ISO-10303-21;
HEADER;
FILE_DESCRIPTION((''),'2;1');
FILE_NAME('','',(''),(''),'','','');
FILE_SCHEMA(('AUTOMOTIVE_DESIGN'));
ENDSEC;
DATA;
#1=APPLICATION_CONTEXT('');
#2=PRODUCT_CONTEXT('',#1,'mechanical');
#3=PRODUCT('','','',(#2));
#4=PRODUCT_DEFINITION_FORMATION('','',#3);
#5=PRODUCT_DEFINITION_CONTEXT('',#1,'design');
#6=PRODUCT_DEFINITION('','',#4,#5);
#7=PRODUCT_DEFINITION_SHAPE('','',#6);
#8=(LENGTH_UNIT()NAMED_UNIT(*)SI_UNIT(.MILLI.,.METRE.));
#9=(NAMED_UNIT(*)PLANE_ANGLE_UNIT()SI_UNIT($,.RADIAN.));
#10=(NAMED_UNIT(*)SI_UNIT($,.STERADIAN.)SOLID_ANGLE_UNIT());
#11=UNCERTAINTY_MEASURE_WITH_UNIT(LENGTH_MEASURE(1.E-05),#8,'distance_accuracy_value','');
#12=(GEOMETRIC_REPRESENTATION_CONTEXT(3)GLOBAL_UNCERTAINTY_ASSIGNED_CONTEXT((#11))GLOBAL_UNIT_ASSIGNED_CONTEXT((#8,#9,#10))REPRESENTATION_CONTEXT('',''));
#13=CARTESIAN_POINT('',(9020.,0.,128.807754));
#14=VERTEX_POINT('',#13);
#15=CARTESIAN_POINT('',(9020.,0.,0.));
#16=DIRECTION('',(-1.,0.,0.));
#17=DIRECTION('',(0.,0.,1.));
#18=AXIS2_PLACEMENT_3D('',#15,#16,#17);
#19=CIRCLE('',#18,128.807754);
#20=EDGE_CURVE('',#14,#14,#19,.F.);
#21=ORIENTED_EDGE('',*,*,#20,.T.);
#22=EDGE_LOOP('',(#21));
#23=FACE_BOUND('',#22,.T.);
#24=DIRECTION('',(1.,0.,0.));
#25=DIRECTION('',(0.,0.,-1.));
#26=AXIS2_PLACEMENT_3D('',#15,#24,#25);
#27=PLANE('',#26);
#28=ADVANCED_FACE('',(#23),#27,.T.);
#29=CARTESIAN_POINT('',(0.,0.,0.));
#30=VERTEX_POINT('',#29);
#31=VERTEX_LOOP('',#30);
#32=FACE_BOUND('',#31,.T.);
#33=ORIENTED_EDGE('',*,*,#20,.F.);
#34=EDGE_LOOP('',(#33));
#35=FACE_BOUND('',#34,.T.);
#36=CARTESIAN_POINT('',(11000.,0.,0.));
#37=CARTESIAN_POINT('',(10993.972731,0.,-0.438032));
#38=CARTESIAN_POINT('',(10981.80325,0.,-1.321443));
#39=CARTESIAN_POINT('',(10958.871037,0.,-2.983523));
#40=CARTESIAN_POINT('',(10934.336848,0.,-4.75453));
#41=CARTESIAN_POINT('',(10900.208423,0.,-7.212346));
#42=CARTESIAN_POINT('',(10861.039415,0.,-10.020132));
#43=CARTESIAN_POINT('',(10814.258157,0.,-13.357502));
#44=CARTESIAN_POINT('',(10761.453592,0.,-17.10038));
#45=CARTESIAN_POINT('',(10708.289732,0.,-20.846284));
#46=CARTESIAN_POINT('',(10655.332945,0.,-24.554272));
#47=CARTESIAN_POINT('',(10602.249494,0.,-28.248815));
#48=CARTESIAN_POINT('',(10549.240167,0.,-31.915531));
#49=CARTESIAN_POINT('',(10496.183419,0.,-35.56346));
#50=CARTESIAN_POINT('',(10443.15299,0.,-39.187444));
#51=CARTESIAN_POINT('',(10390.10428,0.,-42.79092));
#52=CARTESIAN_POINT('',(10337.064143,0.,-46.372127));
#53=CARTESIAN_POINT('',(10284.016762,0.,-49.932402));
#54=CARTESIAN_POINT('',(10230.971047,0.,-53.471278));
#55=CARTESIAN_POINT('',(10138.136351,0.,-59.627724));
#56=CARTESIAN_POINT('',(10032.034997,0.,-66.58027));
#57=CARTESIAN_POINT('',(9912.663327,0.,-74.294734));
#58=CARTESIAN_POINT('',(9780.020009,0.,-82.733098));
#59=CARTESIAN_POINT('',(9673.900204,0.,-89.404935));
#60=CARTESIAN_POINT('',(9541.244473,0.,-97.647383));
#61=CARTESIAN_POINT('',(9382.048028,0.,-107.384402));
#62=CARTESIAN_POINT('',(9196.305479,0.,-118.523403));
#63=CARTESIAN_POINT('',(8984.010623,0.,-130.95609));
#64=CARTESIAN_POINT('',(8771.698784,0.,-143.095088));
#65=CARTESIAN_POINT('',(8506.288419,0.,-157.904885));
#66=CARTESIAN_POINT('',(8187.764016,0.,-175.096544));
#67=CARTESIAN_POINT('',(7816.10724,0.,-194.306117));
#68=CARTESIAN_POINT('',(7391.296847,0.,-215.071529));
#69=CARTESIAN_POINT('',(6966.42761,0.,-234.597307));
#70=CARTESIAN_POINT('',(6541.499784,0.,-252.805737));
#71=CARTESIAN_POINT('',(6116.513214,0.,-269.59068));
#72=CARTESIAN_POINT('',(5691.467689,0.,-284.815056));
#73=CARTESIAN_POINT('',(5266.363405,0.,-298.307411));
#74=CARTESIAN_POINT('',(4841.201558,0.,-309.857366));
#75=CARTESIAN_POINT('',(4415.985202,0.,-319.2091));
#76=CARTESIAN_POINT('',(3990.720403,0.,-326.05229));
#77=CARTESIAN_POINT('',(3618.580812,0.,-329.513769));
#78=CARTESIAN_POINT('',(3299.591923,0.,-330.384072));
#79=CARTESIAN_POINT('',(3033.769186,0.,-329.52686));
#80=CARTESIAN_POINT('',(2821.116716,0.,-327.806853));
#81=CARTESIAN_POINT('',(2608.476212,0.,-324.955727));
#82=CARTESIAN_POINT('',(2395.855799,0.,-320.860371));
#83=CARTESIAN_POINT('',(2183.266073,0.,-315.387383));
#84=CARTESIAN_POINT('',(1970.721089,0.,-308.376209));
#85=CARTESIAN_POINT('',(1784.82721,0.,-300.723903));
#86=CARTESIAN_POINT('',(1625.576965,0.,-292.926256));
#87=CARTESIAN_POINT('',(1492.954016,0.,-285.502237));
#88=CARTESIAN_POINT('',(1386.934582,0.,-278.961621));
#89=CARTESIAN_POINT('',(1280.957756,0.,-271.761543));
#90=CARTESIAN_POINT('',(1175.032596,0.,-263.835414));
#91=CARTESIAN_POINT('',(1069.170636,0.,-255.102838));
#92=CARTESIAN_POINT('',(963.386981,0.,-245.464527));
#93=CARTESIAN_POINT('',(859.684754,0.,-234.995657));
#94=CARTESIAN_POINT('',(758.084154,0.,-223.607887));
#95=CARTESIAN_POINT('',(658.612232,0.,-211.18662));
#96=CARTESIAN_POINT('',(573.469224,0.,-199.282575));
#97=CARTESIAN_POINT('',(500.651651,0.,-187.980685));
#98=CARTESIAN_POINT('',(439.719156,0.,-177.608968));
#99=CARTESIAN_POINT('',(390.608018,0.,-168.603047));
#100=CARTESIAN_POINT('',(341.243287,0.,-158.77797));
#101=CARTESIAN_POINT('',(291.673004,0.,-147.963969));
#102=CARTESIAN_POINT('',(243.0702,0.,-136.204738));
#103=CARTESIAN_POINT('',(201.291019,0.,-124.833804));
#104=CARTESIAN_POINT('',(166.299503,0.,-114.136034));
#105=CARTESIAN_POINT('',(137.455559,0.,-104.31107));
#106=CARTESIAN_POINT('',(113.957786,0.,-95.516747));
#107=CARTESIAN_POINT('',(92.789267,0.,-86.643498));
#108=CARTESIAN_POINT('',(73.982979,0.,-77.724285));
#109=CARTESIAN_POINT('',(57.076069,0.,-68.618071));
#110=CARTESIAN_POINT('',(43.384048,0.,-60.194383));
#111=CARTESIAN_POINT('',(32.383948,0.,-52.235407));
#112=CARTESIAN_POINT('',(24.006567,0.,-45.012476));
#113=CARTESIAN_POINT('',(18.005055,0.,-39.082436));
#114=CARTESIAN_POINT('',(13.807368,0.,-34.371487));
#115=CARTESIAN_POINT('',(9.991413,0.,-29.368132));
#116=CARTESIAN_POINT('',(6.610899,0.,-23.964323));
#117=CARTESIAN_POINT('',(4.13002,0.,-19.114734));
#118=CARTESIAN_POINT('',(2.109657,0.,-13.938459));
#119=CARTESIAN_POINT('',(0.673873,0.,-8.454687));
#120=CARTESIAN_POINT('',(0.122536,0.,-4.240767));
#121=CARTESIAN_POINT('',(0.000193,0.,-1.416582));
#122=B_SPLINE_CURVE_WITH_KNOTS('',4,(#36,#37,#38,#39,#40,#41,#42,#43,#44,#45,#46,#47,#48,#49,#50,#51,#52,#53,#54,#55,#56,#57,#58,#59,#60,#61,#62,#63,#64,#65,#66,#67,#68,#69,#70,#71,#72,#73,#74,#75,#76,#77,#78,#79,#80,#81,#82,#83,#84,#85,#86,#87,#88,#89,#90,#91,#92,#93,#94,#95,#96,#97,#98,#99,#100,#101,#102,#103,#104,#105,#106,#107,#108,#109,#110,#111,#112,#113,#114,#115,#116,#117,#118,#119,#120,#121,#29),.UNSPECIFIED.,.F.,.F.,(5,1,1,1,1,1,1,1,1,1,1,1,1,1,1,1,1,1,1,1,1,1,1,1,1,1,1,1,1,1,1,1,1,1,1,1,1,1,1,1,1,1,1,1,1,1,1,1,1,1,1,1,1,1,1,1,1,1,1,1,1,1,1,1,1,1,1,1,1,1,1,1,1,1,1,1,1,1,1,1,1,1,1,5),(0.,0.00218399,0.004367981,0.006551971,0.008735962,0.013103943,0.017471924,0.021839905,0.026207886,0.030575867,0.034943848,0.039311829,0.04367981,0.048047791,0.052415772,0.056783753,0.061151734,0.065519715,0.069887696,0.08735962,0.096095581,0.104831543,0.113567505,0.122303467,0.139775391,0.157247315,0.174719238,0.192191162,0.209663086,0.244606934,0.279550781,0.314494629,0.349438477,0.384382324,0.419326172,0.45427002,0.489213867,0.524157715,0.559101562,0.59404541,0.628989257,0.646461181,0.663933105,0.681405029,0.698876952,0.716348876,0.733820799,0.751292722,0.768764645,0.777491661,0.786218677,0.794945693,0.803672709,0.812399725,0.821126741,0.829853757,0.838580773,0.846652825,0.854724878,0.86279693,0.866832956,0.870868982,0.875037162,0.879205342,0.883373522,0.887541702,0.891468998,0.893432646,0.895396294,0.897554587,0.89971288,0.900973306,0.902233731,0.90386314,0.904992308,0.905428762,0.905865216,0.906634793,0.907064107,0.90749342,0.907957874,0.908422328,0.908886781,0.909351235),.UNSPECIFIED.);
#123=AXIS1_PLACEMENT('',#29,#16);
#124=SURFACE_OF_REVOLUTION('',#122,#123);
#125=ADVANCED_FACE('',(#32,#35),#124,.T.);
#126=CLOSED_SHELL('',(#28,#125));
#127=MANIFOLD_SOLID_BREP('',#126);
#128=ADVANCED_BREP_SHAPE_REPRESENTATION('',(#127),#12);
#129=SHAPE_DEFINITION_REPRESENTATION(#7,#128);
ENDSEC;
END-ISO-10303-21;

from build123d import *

# Parameters (mm, degrees)
CUTSKETCH_R        = 330
CUT_EXTRUDE1_DEPTH = 1981.000000056


with BuildPart() as part:
    # rootSketch → Revolve1 (revolve)
    with BuildSketch(Plane(origin=(0, 0, 0), x_dir=(1, 0, 0), z_dir=(0, 1, 0))):
        with BuildLine():
            Line((0, 0), (10999.999999956, 0))
            add(Edge.make_bspline(
                [(0, 0), (0.000193085, 1.416582005), (0.122535707, 4.240766735), (0.673873379, 8.454686711), (2.109656818, 13.93845879), (4.130019916, 19.114733958), (6.6108994, 23.964322659), (9.99141312, 29.368131534), (13.807367772, 34.371487293), (18.005055091, 39.082436475), (24.006567174, 45.012475537), (32.38394762, 52.235407337), (43.384048479, 60.194382801), (57.076069362, 68.618071155), (73.982979094, 77.724284629), (92.789267205, 86.643497962), (113.957785626, 95.516746756), (137.455558775, 104.311070441), (166.299503437, 114.136034239), (201.291019257, 124.83380424), (243.070199966, 136.204737597), (291.673004407, 147.963968929), (341.243287097, 158.777969553), (390.608018364, 168.603047356), (439.719156269, 177.608967602), (500.651651233, 187.980684512), (573.469223954, 199.282575084), (658.612232457, 211.186619601), (758.084154261, 223.607887379), (859.684753543, 234.995657417), (963.386980877, 245.464526813), (1069.170635517, 255.102838422), (1175.032596375, 263.835414151), (1280.957756037, 271.761542521), (1386.934581972, 278.961621427), (1492.954015963, 285.502236936), (1625.576964573, 292.926255548), (1784.827209806, 300.723903315), (1970.72108882, 308.376208714), (2183.266072594, 315.387382688), (2395.855799019, 320.860371187), (2608.476211675, 324.955727138), (2821.116716449, 327.806853247), (3033.769186051, 329.526860496), (3299.591922937, 330.384071895), (3618.580812409, 329.51376865), (3990.720403141, 326.052290468), (4415.985201528, 319.209100208), (4841.201558049, 309.857365651), (5266.363404579, 298.307410519), (5691.467689334, 284.815055747), (6116.513213618, 269.590680129), (6541.499783516, 252.805736724), (6966.427609798, 234.597307498), (7391.296846876, 215.071528971), (7816.107239786, 194.306117476), (8187.764015612, 175.096544249), (8506.288418891, 157.904884619), (8771.698784382, 143.095088026), (8984.01062255, 130.95609045), (9196.305479291, 118.523403252), (9382.048027901, 107.38440154), (9541.24447253, 97.647382898), (9673.900203702, 89.404934778), (9780.020008578, 82.733097615), (9912.663326878, 74.294734048), (10032.03499694, 66.58027009), (10138.136351112, 59.627723881), (10230.971046534, 53.471278218), (10284.016761583, 49.932402374), (10337.064143493, 46.372127364), (10390.104279802, 42.790919783), (10443.152990441, 39.18744375), (10496.183419271, 35.563459924), (10549.240167305, 31.915530826), (10602.249493916, 28.248814521), (10655.332945198, 24.554271665), (10708.28973189, 20.846283715), (10761.453592237, 17.100380429), (10814.258157127, 13.357501973), (10861.039415372, 10.020132172), (10900.208423325, 7.212345677), (10934.336848159, 4.754530233), (10958.871036751, 2.983522743), (10981.803250473, 1.321442896), (10993.97273069, 0.438031797), (10999.999999956, 0)],
                knots=[0, 0, 0, 0, 0, 0.000464454, 0.000928907, 0.001393361, 0.001857814, 0.002287128, 0.002716441, 0.003486019, 0.003922473, 0.004358926, 0.005488094, 0.007117503, 0.008377929, 0.009638355, 0.011796648, 0.013954941, 0.015918589, 0.017882237, 0.021809533, 0.025977713, 0.030145893, 0.034314073, 0.038482253, 0.042518279, 0.046554305, 0.054626357, 0.062698409, 0.070770462, 0.079497478, 0.088224494, 0.09695151, 0.105678526, 0.114405542, 0.123132558, 0.131859574, 0.14058659, 0.158058513, 0.175530436, 0.193002359, 0.210474282, 0.227946206, 0.24541813, 0.262890054, 0.280361977, 0.315305825, 0.350249672, 0.38519352, 0.420137368, 0.455081215, 0.490025063, 0.524968911, 0.559912758, 0.594856606, 0.629800453, 0.664744301, 0.699688149, 0.717160073, 0.734631996, 0.75210392, 0.769575844, 0.787047768, 0.79578373, 0.804519691, 0.813255653, 0.821991615, 0.839463539, 0.84383152, 0.848199501, 0.852567482, 0.856935463, 0.861303444, 0.865671425, 0.870039406, 0.874407387, 0.878775368, 0.883143349, 0.88751133, 0.891879311, 0.896247292, 0.900615273, 0.902799263, 0.904983254, 0.907167244, 0.909351235, 0.909351235, 0.909351235, 0.909351235, 0.909351235], degree=4))
        make_face()
    revolve(axis=Axis((0, 0, 0), (1, 0, 0)))

    # cutSketch → Cut-Extrude1 (cut, through all)
    with BuildSketch(Plane(origin=(9020, 0, 0), x_dir=(0, 0, -1), z_dir=(1, 0, 0))):
        Circle(CUTSKETCH_R)
    extrude(amount=CUT_EXTRUDE1_DEPTH, mode=Mode.SUBTRACT)


solid = part.part
